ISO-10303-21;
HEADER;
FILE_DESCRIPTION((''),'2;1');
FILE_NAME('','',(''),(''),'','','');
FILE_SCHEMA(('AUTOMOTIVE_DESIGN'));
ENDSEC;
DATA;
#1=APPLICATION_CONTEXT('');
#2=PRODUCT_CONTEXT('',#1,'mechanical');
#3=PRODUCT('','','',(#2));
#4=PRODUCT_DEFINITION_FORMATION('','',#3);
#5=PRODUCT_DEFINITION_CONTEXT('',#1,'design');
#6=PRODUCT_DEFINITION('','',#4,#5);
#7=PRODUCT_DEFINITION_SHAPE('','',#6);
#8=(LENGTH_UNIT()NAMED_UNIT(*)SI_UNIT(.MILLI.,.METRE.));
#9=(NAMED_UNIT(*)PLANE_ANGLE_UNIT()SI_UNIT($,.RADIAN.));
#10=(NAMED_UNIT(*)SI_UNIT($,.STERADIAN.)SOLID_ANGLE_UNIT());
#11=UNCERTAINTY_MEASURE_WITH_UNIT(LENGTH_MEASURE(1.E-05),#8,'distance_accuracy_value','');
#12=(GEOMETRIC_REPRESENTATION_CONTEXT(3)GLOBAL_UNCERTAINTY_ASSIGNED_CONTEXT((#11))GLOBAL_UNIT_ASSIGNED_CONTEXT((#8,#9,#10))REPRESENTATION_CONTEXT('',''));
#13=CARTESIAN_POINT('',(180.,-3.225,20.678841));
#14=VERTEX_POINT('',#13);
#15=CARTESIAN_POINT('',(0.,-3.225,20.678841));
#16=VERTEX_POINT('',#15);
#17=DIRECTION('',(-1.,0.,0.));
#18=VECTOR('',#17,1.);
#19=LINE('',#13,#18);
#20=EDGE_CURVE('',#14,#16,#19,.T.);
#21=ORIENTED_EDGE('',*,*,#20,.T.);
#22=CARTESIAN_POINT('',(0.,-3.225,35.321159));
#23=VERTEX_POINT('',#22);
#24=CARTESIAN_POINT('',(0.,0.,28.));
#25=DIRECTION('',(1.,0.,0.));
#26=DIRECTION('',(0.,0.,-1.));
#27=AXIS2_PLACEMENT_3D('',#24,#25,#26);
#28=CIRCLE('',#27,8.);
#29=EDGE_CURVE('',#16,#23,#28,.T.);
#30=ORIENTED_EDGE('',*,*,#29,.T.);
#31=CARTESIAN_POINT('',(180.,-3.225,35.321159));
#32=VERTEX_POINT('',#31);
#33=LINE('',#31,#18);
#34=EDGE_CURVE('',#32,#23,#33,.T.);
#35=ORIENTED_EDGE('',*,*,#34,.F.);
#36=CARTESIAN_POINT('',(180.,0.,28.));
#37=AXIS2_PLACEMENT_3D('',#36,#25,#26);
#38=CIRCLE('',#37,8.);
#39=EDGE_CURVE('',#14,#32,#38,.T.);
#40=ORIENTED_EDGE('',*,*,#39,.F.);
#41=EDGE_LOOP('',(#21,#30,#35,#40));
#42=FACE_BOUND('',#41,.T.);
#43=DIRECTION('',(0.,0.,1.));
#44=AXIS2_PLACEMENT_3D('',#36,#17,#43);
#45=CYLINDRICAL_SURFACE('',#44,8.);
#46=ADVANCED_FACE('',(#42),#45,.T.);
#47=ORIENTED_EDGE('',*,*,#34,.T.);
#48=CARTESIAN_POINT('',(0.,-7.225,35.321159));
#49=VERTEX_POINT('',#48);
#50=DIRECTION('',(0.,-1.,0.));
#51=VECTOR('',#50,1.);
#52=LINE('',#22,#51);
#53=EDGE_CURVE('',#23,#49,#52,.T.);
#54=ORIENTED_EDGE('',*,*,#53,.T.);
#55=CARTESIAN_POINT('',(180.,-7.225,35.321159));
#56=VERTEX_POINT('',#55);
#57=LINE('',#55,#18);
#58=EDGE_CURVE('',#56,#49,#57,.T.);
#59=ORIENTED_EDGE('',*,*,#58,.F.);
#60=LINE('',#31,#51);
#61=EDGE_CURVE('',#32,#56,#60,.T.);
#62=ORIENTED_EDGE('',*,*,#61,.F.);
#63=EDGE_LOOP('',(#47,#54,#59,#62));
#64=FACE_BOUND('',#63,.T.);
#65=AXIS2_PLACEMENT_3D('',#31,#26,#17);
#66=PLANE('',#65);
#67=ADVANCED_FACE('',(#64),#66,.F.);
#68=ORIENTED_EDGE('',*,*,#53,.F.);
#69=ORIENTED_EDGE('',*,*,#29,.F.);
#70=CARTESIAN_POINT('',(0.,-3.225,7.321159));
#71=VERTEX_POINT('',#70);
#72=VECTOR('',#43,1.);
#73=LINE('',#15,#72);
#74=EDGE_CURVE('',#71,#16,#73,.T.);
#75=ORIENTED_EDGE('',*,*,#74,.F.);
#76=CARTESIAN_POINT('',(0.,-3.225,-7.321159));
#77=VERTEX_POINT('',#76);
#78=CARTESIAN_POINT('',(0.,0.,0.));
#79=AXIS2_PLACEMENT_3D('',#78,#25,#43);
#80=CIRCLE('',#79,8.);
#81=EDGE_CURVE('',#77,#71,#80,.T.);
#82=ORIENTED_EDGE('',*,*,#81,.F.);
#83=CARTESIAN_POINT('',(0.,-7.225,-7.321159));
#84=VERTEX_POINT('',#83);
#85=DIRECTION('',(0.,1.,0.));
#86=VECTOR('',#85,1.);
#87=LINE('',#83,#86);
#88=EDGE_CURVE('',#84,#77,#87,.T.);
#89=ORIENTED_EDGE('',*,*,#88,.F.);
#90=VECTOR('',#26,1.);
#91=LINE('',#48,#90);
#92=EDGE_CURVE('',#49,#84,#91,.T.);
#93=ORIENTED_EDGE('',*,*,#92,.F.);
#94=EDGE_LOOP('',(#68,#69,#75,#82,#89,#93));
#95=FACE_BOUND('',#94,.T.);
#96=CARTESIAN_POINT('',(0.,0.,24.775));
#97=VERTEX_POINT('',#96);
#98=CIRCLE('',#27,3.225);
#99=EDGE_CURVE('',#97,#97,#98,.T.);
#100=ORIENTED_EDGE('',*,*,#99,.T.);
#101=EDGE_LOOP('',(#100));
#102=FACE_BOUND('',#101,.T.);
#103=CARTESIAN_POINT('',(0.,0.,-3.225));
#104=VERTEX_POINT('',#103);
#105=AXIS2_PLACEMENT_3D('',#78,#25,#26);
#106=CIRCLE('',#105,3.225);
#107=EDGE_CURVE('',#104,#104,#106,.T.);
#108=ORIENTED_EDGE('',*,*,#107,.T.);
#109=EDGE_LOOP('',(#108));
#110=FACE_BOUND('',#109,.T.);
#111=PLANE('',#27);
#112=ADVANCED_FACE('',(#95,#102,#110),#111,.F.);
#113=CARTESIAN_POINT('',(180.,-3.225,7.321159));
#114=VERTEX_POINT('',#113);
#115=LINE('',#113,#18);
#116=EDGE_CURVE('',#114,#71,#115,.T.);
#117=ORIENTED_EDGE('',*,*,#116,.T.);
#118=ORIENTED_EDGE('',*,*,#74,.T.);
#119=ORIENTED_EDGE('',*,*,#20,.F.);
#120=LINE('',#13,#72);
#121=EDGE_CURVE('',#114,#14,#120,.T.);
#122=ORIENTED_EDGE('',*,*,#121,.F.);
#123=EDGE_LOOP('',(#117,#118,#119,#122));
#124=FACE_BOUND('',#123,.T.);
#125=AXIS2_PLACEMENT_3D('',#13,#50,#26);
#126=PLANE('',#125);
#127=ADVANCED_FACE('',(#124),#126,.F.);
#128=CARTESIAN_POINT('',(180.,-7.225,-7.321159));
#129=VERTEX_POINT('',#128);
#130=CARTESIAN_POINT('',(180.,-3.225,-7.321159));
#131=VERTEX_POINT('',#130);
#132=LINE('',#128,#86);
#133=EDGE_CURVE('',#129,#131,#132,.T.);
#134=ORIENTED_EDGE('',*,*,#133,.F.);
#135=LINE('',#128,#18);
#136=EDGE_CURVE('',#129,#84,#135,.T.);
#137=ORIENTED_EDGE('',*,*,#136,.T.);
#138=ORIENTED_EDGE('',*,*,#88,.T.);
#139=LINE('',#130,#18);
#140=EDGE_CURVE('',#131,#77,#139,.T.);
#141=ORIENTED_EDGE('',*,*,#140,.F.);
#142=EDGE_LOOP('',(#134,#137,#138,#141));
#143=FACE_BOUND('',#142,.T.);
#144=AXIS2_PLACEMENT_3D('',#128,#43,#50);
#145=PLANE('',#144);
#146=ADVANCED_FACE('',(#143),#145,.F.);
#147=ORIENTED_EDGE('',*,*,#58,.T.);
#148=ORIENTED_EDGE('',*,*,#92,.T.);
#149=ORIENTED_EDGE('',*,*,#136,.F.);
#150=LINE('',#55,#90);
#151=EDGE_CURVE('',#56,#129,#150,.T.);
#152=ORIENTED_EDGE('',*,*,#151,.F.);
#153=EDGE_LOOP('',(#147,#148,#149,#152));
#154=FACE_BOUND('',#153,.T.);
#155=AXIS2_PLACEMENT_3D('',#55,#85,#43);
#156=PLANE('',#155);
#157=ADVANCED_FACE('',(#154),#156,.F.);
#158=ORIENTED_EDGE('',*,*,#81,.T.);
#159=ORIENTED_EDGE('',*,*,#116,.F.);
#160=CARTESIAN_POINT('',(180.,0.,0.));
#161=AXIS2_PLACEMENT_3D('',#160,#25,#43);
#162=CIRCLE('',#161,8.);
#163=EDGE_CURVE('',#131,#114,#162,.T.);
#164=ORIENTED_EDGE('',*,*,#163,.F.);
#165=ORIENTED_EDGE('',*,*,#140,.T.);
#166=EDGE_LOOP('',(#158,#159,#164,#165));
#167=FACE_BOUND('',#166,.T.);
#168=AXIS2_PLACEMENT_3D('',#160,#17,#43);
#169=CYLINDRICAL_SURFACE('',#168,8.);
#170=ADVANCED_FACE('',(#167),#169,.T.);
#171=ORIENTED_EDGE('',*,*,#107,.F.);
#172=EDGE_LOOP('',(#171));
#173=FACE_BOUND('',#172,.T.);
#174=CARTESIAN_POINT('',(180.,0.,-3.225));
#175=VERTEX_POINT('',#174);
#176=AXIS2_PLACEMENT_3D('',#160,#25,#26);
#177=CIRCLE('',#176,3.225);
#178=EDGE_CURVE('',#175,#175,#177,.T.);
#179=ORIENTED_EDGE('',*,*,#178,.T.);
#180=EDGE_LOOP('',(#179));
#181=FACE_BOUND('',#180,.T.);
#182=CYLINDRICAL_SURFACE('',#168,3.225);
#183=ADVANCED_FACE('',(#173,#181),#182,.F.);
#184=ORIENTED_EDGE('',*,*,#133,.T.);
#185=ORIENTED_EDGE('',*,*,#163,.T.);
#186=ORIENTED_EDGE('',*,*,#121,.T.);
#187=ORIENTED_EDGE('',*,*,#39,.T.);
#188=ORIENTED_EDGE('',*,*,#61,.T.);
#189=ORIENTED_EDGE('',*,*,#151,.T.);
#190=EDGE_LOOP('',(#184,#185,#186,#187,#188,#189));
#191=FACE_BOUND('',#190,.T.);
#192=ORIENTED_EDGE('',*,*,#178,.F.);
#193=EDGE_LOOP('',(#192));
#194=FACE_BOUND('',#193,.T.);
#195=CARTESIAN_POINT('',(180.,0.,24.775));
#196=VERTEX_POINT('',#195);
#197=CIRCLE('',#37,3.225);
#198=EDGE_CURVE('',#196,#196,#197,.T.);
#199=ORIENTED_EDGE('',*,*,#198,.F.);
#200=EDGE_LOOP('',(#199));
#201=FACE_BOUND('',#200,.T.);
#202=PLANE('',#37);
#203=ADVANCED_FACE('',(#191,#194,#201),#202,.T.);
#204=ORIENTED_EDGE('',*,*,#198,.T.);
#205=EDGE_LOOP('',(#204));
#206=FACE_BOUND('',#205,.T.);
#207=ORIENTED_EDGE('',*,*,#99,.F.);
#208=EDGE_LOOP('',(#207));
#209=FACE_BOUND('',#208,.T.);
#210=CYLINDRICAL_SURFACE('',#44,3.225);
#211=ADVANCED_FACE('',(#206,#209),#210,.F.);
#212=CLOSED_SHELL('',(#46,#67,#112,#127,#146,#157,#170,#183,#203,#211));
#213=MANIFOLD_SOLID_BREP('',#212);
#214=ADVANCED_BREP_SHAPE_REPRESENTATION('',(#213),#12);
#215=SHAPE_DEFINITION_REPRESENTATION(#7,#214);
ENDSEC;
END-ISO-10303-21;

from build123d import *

# Parameters (mm, degrees)
SKETCH1_R           = 3.225
BOSS_EXTRUDE1_DEPTH = 180


with BuildPart() as part:
    # Sketch1 → Boss-Extrude1 (new body)
    with BuildSketch(Plane(origin=(0, 0, 0), x_dir=(0, 0, -1), z_dir=(1, 0, 0))):
        with BuildLine():
            Line((-20.678840597, -3.225), (-7.321159403, -3.225))
            ThreePointArc((-7.321159403, -3.225), (0, 8), (7.321159403, -3.225))
            Line((7.321159403, -3.225), (7.321159403, -7.225))
            Line((7.321159403, -7.225), (-35.321159403, -7.225))
            Line((-35.321159403, -7.225), (-35.321159403, -3.225))
            ThreePointArc((-35.321159403, -3.225), (-28, 8), (-20.678840597, -3.225))
        make_face()
        Circle(SKETCH1_R, mode=Mode.SUBTRACT)
        with Locations((-28, 0)):
            Circle(SKETCH1_R, mode=Mode.SUBTRACT)
    extrude(amount=BOSS_EXTRUDE1_DEPTH)


solid = part.part
